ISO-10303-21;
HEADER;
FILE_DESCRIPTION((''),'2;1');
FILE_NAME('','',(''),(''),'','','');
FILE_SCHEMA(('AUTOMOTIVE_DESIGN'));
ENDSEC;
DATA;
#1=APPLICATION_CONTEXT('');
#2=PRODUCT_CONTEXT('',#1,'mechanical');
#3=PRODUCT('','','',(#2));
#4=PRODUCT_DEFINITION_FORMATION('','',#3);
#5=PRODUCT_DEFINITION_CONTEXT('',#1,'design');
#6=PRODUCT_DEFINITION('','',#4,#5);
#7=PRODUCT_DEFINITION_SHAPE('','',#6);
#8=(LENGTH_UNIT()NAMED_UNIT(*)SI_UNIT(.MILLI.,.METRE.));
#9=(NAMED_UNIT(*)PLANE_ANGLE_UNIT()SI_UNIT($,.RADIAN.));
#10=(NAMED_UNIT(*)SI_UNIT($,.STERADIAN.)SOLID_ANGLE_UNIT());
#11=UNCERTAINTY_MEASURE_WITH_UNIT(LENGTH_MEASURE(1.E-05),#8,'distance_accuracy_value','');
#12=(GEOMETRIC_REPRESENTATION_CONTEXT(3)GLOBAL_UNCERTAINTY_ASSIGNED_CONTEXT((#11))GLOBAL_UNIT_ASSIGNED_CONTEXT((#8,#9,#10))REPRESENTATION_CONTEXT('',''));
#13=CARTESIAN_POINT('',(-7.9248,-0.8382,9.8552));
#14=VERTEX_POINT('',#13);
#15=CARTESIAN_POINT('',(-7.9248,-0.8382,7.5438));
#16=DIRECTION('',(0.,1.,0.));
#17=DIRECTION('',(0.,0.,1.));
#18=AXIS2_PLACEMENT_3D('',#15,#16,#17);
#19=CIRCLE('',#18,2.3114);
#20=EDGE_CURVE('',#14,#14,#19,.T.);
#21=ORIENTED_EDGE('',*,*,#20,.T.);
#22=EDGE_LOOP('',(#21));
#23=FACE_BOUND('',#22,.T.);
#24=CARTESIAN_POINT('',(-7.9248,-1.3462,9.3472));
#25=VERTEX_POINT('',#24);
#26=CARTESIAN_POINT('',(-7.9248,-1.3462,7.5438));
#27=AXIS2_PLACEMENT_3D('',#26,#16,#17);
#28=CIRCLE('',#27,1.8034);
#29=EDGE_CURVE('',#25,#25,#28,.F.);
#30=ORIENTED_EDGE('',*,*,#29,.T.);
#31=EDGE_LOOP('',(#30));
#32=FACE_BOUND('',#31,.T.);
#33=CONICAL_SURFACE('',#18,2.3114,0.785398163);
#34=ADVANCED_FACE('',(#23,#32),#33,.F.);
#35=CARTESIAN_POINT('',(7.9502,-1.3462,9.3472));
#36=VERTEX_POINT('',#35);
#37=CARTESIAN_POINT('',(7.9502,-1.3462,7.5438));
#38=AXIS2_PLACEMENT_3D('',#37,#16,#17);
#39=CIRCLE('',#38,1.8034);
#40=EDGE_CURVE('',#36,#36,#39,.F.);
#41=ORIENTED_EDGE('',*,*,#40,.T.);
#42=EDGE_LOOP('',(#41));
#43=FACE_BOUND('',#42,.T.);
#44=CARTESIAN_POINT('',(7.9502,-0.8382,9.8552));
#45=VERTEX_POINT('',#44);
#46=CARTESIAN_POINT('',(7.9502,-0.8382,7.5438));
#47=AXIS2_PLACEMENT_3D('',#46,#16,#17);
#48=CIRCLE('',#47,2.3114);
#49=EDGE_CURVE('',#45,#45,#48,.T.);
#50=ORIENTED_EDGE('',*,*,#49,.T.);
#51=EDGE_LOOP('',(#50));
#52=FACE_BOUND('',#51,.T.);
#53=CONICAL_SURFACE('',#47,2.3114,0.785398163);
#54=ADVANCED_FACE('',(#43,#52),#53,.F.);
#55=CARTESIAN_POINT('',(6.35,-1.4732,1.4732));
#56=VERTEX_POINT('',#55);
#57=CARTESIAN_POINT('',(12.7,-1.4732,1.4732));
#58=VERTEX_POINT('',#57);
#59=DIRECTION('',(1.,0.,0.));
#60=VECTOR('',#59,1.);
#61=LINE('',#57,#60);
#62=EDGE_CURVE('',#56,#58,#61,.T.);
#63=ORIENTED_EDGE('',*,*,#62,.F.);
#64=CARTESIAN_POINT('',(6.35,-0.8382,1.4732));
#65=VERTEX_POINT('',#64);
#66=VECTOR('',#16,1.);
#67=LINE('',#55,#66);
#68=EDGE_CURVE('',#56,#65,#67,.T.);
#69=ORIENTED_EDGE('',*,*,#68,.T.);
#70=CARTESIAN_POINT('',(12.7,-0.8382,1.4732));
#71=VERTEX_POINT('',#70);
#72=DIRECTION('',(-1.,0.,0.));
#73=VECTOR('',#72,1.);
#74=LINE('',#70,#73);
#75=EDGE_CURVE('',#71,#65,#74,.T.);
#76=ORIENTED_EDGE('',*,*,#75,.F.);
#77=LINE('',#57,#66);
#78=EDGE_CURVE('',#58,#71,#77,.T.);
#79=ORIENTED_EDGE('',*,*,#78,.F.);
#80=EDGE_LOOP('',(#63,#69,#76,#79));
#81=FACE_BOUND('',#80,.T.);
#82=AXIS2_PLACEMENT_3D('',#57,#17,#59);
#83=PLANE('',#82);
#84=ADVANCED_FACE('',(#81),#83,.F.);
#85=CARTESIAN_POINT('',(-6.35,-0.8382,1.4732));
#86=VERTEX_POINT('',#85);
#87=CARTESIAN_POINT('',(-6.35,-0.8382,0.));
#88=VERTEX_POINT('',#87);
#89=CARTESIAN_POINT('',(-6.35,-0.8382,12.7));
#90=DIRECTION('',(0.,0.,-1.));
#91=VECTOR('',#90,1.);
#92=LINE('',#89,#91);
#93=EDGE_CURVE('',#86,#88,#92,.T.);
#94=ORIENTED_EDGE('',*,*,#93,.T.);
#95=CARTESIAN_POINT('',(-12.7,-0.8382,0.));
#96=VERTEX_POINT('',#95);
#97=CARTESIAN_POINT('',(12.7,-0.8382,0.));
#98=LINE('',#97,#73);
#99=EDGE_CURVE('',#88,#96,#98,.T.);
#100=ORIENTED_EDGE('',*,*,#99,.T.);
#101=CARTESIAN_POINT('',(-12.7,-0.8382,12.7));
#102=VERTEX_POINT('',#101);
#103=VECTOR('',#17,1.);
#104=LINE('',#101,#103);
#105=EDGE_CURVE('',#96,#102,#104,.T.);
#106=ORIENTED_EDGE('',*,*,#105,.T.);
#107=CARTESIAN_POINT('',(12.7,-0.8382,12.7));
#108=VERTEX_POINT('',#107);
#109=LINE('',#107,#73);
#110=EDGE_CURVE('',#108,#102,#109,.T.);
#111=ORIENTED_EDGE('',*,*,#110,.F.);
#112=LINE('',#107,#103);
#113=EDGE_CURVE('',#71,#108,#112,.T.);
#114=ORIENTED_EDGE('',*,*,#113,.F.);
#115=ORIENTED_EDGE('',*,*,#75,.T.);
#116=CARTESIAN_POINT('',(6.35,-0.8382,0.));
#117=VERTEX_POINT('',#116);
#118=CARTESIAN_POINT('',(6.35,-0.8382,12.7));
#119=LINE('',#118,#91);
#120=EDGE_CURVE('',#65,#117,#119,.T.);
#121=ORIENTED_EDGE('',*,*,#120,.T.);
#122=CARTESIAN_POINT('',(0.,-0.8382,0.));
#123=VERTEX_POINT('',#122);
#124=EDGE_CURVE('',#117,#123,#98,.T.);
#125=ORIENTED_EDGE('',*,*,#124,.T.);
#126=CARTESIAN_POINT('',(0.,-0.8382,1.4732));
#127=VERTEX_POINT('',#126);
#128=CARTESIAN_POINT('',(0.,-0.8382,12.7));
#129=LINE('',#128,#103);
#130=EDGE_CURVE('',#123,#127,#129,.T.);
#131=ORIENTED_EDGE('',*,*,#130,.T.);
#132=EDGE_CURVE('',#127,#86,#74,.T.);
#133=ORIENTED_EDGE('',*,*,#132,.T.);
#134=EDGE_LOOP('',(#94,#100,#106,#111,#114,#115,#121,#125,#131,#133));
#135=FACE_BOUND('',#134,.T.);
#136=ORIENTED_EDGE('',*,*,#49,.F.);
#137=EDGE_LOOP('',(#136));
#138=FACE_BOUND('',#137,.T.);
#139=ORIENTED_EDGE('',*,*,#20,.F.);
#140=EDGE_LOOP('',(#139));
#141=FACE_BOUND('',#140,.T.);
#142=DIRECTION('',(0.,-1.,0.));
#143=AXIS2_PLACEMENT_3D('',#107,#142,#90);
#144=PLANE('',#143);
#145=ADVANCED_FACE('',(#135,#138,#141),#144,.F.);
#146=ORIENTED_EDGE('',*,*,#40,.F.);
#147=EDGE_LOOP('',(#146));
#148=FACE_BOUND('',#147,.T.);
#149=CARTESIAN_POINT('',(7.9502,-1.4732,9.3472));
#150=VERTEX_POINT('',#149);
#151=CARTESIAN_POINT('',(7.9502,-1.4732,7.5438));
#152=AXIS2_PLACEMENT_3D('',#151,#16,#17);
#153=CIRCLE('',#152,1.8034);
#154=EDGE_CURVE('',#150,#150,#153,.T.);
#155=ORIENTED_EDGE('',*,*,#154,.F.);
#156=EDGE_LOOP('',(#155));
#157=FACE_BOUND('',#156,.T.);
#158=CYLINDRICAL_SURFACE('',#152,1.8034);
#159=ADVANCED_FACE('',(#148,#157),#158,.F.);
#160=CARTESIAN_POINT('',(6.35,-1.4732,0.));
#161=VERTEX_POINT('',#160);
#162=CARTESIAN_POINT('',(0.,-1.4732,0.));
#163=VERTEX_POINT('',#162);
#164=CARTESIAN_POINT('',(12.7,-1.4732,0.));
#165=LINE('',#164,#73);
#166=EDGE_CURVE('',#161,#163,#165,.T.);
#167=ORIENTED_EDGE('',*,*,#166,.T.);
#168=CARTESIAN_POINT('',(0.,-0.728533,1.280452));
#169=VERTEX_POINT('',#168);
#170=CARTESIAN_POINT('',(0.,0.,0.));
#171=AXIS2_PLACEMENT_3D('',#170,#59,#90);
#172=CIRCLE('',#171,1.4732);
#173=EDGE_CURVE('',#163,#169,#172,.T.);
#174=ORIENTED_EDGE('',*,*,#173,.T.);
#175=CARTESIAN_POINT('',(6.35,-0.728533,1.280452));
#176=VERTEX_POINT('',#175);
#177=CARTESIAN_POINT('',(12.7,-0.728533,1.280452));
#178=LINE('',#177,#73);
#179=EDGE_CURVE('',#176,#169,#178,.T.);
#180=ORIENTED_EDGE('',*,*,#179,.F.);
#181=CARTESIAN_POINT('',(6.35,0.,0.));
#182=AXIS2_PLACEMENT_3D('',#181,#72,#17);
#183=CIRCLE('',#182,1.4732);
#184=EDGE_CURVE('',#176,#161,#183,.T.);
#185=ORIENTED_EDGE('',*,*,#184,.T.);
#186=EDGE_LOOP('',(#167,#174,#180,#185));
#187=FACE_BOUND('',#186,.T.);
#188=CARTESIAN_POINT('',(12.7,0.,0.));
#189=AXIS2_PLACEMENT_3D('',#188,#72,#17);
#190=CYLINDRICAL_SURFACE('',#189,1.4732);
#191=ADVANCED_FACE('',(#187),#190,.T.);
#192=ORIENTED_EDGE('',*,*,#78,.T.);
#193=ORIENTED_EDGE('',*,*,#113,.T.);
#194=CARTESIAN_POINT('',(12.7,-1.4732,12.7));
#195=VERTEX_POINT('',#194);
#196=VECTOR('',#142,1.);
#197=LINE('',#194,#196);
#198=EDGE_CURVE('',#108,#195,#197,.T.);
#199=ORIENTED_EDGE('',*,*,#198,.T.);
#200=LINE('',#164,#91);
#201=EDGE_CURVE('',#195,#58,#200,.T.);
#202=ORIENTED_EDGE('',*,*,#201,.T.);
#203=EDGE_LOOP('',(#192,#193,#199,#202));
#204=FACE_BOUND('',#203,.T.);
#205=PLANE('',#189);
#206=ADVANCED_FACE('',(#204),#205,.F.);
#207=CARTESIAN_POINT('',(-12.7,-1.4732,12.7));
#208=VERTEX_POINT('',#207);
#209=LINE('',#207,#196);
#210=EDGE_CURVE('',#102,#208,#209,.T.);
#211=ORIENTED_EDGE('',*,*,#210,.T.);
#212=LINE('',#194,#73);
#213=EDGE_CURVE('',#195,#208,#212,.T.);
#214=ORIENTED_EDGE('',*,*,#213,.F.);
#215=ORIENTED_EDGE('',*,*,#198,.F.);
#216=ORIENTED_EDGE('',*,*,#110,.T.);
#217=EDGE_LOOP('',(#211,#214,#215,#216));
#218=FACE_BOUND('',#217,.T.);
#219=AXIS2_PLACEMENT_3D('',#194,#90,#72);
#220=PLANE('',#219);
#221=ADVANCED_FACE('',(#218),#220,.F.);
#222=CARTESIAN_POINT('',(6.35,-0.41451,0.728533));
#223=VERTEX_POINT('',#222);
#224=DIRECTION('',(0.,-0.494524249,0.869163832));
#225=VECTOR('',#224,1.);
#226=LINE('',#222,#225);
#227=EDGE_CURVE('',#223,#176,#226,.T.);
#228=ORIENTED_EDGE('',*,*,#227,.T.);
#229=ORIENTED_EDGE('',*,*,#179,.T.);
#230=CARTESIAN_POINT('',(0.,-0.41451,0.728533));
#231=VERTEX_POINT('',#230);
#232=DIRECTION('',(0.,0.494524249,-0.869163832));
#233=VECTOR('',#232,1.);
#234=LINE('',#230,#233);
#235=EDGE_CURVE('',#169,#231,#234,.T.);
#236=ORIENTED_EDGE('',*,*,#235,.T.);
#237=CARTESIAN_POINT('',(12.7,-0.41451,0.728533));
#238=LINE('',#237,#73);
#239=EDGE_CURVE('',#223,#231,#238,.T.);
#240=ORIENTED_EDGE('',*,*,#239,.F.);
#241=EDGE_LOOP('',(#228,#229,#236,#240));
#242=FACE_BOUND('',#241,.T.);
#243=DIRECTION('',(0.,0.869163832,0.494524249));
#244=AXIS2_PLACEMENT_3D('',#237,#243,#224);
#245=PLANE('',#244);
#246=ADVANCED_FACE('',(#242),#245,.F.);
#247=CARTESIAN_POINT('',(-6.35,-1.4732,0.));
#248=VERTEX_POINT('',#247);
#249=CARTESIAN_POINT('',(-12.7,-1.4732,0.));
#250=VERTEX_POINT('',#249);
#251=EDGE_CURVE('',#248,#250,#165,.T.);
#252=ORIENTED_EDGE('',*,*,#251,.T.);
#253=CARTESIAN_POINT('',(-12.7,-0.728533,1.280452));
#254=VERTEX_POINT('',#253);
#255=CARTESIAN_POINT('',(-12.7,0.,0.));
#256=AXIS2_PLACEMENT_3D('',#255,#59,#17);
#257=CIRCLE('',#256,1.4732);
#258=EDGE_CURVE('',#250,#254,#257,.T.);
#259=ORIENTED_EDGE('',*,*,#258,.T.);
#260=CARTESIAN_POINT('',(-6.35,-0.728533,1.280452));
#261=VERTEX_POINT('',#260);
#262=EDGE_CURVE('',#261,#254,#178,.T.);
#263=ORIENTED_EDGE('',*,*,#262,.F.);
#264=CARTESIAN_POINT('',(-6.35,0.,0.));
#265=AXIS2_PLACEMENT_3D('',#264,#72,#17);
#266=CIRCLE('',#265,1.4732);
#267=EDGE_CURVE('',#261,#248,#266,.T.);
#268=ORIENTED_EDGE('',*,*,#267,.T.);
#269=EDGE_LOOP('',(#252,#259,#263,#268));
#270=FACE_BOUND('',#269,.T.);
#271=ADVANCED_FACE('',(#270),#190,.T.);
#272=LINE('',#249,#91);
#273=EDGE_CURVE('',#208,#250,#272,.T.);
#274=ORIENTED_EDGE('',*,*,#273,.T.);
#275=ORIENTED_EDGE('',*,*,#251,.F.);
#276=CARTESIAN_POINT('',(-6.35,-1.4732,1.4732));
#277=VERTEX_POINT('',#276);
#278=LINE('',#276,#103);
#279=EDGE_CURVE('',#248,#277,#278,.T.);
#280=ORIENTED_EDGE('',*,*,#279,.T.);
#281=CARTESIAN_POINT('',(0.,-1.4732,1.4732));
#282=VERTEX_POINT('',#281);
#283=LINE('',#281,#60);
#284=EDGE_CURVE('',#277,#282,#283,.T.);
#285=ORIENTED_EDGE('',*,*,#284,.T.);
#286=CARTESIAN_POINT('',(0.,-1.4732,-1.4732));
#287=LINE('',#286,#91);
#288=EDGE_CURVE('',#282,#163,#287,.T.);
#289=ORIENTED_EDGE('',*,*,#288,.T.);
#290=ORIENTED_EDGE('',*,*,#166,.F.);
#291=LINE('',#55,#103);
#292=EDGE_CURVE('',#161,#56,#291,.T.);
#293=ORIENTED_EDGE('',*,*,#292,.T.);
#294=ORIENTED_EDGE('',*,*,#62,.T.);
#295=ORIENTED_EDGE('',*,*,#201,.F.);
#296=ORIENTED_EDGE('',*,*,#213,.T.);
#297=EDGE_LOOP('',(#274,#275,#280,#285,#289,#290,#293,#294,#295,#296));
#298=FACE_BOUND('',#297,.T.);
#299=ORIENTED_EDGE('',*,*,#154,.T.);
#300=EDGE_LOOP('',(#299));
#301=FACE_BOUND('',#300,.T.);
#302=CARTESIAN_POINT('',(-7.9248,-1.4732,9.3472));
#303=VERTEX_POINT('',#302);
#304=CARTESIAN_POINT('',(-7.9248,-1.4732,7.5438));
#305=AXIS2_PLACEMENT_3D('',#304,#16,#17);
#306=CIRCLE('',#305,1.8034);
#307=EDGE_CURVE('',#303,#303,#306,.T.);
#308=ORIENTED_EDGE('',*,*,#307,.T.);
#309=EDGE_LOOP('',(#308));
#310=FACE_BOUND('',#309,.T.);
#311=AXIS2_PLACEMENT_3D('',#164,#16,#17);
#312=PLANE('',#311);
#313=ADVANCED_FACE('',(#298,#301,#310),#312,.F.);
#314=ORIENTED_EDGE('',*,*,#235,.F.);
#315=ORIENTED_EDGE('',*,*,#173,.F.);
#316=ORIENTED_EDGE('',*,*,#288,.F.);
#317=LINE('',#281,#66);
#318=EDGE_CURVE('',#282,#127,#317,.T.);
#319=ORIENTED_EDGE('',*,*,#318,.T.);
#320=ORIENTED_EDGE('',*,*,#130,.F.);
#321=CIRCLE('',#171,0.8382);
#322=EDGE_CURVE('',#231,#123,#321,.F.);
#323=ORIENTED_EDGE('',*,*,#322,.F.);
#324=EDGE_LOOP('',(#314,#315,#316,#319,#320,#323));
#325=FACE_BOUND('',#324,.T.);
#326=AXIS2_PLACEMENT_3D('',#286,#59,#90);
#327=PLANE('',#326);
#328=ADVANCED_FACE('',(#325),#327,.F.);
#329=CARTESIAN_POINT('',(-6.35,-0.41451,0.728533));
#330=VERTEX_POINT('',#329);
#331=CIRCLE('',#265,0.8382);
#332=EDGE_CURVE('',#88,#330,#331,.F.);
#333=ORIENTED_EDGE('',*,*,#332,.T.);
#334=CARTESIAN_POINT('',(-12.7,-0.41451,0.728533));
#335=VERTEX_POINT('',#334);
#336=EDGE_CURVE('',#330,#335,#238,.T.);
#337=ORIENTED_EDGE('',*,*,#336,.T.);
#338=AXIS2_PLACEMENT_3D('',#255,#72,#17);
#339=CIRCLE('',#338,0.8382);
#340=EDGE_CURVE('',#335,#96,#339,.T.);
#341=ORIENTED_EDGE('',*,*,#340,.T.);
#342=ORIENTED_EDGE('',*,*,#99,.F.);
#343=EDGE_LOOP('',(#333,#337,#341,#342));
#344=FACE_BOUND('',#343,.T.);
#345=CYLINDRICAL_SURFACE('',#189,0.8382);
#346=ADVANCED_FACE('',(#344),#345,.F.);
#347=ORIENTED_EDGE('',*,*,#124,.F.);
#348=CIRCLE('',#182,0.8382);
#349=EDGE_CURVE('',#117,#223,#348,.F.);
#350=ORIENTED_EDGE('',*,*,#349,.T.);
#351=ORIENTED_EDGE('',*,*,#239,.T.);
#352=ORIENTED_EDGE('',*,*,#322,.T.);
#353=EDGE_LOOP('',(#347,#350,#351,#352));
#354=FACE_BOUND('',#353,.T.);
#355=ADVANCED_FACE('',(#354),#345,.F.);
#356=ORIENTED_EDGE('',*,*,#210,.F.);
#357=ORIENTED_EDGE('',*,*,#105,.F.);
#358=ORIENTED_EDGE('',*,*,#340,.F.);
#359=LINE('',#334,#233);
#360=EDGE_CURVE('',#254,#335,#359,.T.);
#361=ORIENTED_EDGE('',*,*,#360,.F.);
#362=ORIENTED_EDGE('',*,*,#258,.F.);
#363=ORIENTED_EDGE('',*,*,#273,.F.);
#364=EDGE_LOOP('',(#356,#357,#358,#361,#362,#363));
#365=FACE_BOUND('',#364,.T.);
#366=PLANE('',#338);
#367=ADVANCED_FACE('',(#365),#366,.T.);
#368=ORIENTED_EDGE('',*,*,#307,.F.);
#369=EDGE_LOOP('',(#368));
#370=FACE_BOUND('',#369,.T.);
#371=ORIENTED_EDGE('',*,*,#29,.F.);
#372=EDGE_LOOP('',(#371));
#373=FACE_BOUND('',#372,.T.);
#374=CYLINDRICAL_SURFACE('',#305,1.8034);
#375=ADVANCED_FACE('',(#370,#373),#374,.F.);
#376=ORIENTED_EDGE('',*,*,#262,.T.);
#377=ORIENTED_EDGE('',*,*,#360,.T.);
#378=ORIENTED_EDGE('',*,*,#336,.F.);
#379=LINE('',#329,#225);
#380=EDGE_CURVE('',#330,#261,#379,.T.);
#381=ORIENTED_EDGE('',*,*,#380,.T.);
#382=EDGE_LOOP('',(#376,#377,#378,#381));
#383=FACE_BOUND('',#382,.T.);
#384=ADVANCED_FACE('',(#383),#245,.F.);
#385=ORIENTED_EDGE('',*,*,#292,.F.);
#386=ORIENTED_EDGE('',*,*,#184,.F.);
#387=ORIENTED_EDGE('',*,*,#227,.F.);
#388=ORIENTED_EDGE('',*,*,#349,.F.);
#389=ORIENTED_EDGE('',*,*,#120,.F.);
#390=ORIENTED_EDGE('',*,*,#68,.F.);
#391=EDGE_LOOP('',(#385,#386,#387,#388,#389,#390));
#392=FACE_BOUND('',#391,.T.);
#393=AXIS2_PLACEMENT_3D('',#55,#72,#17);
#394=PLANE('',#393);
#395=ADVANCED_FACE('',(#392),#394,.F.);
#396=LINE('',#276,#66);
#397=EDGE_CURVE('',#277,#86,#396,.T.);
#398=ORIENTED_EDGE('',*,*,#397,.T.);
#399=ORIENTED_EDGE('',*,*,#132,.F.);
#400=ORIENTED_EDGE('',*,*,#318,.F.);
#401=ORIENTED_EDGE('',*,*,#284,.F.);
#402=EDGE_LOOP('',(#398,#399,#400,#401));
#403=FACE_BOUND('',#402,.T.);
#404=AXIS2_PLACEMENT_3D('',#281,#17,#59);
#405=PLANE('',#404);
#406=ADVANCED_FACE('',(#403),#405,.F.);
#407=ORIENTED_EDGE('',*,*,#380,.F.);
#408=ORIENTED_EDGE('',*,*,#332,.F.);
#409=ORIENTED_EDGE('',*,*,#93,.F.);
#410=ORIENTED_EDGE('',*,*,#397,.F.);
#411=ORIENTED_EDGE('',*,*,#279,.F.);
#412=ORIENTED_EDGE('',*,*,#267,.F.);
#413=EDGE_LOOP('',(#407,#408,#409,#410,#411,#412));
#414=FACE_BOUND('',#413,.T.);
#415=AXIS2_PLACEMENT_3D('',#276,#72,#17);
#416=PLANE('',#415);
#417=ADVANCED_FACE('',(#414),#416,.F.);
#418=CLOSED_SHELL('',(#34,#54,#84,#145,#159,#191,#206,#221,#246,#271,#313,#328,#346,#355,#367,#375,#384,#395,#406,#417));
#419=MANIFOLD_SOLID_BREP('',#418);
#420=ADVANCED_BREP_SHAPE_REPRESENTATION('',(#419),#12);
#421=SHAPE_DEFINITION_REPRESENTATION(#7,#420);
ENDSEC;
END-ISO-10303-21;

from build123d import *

# Parameters (mm, degrees)
BOSS_EXTRUDE1_DEPTH     = 12.7
SKETCH4_W               = 6.35
SKETCH4_H               = 2.9464
CUT_EXTRUDE1_DEPTH      = 19.020830121
LPATTERN1_COUNT         = 6
LPATTERN1_PITCH         = 12.7
CUT_EXTRUDE3_DEPTH      = 19.020830121
CUT_EXTRUDE3_DEPTH_BACK = 19.020830121
SKETCH9_R               = 1.8034


with BuildPart() as part:
    # Sketch3 → Boss-Extrude1 (new, symmetric)
    with BuildSketch(Plane(origin=(0, 0, 0), x_dir=(0, 0, -1), z_dir=(1, 0, 0))):
        with BuildLine():
            Line((0, -1.4732), (-12.7, -1.4732))
            Line((-12.7, -1.4732), (-12.7, -0.8382))
            Line((-12.7, -0.8382), (0, -0.8382))
            ThreePointArc((0, -0.8382), (0.421388638, 0.724576328), (-0.728533124, -0.414510226))
            Line((-0.728533124, -0.414510226), (-1.280452157, -0.728533124))
            ThreePointArc((-1.280452157, -0.728533124), (0.740622455, 1.273497789), (0, -1.4732))
        make_face()
    extrude(amount=BOSS_EXTRUDE1_DEPTH, both=True)

    # Sketch4 → Cut-Extrude1 (cut, symmetric)
    with BuildSketch(Plane(origin=(0, 0, 0), x_dir=(1, 0, 0), z_dir=(0, 1, 0))):
        with Locations((-3.175, 0)):
            Rectangle(SKETCH4_W, SKETCH4_H)
    cut_extrude1 = extrude(amount=CUT_EXTRUDE1_DEPTH, both=True, mode=Mode.SUBTRACT)

    # LPattern1: Cut-Extrude1 ×6
    with Locations(*[(i * LPATTERN1_PITCH, 0, 0) for i in range(1, LPATTERN1_COUNT)]):
        add(cut_extrude1, mode=Mode.SUBTRACT)

    # Cut-Extrude2 cone 1 section (through the dimple's axis) → Cut-Extrude2 (revolve, cut)
    with BuildSketch(Plane(origin=(7.9502, -0.8382, 7.5438), x_dir=(0, 0, 1), z_dir=(1, 0, 0))):
        Polygon((0, 0), (2.3114, 0), (0, 2.3114), align=None)
    revolve(axis=Axis((7.9502, -0.8382, 7.5438), (0, -1, 0)), mode=Mode.SUBTRACT)

    # Cut-Extrude2 cone 2 section (through the dimple's axis) → Cut-Extrude2 cone 2 (revolve, cut)
    with BuildSketch(Plane(origin=(-7.9248, -0.8382, 7.5438), x_dir=(0, 0, 1), z_dir=(1, 0, 0))):
        Polygon((0, 0), (2.3114, 0), (0, 2.3114), align=None)
    revolve(axis=Axis((-7.9248, -0.8382, 7.5438), (0, -1, 0)), mode=Mode.SUBTRACT)

    # Sketch9 → Cut-Extrude3 (cut, two sides: drawn at the far end of the back side and taken through both)
    with BuildSketch(Plane(origin=(0, 0, 0), x_dir=(1, 0, 0), z_dir=(0, 1, 0)).offset(-CUT_EXTRUDE3_DEPTH_BACK)):
        with Locations(Location((7.9502, -7.5438, 0), (0, 0, 270))):
            Circle(SKETCH9_R)
        with Locations(Location((-7.9248, -7.5438, 0), (0, 0, 270))):
            Circle(SKETCH9_R)
    extrude(amount=CUT_EXTRUDE3_DEPTH + CUT_EXTRUDE3_DEPTH_BACK, mode=Mode.SUBTRACT)


solid = part.part
